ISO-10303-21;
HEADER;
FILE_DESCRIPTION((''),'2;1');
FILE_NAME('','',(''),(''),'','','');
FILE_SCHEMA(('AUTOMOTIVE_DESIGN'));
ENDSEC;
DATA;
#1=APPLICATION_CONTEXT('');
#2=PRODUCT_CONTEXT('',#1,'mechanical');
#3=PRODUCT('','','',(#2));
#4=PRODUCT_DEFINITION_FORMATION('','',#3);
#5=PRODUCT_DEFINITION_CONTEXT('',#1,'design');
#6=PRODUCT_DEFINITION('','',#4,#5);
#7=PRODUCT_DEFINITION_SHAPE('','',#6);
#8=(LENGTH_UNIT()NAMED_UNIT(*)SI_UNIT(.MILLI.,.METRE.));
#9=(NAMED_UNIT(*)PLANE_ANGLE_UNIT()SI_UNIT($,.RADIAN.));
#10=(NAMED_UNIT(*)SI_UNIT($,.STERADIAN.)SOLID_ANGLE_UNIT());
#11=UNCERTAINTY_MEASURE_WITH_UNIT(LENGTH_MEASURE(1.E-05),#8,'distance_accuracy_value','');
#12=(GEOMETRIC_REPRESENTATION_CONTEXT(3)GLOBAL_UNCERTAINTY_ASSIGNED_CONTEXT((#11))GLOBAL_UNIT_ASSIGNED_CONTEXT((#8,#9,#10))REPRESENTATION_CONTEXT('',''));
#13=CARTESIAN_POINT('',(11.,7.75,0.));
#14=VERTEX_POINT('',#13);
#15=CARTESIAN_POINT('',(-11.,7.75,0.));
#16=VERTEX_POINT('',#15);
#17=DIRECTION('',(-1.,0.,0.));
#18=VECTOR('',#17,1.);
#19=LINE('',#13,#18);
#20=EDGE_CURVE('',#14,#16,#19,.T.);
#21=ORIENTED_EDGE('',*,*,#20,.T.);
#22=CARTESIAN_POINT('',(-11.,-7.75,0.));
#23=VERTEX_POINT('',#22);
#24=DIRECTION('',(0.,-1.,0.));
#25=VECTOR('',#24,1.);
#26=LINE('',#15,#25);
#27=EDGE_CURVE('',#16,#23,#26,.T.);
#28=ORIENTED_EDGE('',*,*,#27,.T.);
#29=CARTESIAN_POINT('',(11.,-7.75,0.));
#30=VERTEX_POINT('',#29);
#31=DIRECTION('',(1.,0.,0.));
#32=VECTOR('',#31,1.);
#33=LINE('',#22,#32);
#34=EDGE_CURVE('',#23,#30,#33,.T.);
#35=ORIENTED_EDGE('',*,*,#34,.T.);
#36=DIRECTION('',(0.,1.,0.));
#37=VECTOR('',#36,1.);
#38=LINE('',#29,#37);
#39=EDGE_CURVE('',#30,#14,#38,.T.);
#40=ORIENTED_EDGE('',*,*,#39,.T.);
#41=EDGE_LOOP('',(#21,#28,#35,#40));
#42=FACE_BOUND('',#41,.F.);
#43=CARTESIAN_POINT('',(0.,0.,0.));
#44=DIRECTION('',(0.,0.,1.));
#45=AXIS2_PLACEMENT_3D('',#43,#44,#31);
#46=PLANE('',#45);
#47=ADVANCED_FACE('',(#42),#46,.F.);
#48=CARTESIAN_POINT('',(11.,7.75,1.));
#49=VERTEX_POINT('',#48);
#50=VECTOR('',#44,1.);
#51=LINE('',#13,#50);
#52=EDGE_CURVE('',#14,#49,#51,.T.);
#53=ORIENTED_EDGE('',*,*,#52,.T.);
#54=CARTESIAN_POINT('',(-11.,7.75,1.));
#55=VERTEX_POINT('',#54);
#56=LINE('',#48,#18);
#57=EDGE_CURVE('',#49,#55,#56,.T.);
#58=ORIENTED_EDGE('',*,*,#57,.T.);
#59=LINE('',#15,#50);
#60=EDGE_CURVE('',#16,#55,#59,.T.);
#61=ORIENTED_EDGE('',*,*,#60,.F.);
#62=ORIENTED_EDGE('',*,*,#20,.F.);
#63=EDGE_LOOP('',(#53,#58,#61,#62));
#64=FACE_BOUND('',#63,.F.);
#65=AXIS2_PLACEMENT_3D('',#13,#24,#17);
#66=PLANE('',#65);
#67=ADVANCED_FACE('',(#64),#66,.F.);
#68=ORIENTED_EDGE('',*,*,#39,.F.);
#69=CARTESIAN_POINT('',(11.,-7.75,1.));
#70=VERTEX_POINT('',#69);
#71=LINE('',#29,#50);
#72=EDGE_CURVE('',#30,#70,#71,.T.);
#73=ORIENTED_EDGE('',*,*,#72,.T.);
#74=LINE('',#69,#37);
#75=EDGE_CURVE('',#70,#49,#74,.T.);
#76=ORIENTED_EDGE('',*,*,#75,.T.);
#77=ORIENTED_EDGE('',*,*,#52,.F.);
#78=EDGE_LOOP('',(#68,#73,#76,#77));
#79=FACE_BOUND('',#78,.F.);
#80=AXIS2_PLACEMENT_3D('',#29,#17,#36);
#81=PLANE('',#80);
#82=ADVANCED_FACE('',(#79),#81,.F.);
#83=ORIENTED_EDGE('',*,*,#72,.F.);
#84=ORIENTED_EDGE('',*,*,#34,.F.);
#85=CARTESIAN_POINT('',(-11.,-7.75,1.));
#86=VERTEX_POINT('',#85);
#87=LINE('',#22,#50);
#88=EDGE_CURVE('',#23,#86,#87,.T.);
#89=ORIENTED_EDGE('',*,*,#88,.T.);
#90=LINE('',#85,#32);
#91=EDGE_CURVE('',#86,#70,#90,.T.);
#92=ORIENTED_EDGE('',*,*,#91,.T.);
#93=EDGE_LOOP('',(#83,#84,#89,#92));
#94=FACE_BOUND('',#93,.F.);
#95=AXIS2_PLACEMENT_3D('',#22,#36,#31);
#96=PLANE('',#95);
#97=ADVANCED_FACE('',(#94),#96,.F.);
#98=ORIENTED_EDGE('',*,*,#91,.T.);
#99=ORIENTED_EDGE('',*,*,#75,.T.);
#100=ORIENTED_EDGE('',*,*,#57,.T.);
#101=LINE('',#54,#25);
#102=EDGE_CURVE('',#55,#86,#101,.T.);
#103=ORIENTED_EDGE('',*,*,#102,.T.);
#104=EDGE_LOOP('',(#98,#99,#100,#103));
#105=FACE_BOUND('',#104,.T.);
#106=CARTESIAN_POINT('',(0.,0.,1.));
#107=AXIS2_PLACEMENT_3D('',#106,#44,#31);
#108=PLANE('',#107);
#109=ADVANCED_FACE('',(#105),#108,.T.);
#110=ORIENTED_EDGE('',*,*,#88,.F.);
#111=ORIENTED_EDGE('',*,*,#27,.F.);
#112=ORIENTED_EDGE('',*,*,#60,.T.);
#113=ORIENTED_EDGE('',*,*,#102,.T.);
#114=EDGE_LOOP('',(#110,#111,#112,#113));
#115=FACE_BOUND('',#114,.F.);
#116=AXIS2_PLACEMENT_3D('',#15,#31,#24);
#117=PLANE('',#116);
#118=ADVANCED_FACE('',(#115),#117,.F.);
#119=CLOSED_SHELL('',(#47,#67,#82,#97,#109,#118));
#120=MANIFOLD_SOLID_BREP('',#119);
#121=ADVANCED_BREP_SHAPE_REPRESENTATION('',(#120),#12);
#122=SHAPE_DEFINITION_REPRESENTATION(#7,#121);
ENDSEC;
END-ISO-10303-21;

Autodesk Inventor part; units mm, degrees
ref_plane "YZ Plane" through (0, 0, 0) normal (1, 0, 0) x (0, 1, 0)
ref_plane "XZ Plane" through (0, 0, 0) normal (0, 1, 0) x (-1, 0, 0)
ref_plane "XY Plane" through (0, 0, 0) normal (0, 0, 1) x (1, 0, 0)
sketch "Sketch1" plane through (0, 0, 0) normal (0, 0, 1) x (1, 0, 0)
  line L0 (-11, -7.75) -> (11, -7.75)
  line L1 (11, -7.75) -> (11, 7.75)
  line L2 (11, 7.75) -> (-11, 7.75)
  line L3 (-11, 7.75) -> (-11, -7.75)
  line L4 (-11, -7.75) -> (11, 7.75) construction
  line L5 (11, -7.75) -> (-11, 7.75) construction
  point P0 (0, 0)
  dimension "d0" = 22
  dimension "d1" = 15.5
extrude "Extrusion1" add sketch "Sketch1" along normal blind 1
properties part number "00_3M_StickyPad"
